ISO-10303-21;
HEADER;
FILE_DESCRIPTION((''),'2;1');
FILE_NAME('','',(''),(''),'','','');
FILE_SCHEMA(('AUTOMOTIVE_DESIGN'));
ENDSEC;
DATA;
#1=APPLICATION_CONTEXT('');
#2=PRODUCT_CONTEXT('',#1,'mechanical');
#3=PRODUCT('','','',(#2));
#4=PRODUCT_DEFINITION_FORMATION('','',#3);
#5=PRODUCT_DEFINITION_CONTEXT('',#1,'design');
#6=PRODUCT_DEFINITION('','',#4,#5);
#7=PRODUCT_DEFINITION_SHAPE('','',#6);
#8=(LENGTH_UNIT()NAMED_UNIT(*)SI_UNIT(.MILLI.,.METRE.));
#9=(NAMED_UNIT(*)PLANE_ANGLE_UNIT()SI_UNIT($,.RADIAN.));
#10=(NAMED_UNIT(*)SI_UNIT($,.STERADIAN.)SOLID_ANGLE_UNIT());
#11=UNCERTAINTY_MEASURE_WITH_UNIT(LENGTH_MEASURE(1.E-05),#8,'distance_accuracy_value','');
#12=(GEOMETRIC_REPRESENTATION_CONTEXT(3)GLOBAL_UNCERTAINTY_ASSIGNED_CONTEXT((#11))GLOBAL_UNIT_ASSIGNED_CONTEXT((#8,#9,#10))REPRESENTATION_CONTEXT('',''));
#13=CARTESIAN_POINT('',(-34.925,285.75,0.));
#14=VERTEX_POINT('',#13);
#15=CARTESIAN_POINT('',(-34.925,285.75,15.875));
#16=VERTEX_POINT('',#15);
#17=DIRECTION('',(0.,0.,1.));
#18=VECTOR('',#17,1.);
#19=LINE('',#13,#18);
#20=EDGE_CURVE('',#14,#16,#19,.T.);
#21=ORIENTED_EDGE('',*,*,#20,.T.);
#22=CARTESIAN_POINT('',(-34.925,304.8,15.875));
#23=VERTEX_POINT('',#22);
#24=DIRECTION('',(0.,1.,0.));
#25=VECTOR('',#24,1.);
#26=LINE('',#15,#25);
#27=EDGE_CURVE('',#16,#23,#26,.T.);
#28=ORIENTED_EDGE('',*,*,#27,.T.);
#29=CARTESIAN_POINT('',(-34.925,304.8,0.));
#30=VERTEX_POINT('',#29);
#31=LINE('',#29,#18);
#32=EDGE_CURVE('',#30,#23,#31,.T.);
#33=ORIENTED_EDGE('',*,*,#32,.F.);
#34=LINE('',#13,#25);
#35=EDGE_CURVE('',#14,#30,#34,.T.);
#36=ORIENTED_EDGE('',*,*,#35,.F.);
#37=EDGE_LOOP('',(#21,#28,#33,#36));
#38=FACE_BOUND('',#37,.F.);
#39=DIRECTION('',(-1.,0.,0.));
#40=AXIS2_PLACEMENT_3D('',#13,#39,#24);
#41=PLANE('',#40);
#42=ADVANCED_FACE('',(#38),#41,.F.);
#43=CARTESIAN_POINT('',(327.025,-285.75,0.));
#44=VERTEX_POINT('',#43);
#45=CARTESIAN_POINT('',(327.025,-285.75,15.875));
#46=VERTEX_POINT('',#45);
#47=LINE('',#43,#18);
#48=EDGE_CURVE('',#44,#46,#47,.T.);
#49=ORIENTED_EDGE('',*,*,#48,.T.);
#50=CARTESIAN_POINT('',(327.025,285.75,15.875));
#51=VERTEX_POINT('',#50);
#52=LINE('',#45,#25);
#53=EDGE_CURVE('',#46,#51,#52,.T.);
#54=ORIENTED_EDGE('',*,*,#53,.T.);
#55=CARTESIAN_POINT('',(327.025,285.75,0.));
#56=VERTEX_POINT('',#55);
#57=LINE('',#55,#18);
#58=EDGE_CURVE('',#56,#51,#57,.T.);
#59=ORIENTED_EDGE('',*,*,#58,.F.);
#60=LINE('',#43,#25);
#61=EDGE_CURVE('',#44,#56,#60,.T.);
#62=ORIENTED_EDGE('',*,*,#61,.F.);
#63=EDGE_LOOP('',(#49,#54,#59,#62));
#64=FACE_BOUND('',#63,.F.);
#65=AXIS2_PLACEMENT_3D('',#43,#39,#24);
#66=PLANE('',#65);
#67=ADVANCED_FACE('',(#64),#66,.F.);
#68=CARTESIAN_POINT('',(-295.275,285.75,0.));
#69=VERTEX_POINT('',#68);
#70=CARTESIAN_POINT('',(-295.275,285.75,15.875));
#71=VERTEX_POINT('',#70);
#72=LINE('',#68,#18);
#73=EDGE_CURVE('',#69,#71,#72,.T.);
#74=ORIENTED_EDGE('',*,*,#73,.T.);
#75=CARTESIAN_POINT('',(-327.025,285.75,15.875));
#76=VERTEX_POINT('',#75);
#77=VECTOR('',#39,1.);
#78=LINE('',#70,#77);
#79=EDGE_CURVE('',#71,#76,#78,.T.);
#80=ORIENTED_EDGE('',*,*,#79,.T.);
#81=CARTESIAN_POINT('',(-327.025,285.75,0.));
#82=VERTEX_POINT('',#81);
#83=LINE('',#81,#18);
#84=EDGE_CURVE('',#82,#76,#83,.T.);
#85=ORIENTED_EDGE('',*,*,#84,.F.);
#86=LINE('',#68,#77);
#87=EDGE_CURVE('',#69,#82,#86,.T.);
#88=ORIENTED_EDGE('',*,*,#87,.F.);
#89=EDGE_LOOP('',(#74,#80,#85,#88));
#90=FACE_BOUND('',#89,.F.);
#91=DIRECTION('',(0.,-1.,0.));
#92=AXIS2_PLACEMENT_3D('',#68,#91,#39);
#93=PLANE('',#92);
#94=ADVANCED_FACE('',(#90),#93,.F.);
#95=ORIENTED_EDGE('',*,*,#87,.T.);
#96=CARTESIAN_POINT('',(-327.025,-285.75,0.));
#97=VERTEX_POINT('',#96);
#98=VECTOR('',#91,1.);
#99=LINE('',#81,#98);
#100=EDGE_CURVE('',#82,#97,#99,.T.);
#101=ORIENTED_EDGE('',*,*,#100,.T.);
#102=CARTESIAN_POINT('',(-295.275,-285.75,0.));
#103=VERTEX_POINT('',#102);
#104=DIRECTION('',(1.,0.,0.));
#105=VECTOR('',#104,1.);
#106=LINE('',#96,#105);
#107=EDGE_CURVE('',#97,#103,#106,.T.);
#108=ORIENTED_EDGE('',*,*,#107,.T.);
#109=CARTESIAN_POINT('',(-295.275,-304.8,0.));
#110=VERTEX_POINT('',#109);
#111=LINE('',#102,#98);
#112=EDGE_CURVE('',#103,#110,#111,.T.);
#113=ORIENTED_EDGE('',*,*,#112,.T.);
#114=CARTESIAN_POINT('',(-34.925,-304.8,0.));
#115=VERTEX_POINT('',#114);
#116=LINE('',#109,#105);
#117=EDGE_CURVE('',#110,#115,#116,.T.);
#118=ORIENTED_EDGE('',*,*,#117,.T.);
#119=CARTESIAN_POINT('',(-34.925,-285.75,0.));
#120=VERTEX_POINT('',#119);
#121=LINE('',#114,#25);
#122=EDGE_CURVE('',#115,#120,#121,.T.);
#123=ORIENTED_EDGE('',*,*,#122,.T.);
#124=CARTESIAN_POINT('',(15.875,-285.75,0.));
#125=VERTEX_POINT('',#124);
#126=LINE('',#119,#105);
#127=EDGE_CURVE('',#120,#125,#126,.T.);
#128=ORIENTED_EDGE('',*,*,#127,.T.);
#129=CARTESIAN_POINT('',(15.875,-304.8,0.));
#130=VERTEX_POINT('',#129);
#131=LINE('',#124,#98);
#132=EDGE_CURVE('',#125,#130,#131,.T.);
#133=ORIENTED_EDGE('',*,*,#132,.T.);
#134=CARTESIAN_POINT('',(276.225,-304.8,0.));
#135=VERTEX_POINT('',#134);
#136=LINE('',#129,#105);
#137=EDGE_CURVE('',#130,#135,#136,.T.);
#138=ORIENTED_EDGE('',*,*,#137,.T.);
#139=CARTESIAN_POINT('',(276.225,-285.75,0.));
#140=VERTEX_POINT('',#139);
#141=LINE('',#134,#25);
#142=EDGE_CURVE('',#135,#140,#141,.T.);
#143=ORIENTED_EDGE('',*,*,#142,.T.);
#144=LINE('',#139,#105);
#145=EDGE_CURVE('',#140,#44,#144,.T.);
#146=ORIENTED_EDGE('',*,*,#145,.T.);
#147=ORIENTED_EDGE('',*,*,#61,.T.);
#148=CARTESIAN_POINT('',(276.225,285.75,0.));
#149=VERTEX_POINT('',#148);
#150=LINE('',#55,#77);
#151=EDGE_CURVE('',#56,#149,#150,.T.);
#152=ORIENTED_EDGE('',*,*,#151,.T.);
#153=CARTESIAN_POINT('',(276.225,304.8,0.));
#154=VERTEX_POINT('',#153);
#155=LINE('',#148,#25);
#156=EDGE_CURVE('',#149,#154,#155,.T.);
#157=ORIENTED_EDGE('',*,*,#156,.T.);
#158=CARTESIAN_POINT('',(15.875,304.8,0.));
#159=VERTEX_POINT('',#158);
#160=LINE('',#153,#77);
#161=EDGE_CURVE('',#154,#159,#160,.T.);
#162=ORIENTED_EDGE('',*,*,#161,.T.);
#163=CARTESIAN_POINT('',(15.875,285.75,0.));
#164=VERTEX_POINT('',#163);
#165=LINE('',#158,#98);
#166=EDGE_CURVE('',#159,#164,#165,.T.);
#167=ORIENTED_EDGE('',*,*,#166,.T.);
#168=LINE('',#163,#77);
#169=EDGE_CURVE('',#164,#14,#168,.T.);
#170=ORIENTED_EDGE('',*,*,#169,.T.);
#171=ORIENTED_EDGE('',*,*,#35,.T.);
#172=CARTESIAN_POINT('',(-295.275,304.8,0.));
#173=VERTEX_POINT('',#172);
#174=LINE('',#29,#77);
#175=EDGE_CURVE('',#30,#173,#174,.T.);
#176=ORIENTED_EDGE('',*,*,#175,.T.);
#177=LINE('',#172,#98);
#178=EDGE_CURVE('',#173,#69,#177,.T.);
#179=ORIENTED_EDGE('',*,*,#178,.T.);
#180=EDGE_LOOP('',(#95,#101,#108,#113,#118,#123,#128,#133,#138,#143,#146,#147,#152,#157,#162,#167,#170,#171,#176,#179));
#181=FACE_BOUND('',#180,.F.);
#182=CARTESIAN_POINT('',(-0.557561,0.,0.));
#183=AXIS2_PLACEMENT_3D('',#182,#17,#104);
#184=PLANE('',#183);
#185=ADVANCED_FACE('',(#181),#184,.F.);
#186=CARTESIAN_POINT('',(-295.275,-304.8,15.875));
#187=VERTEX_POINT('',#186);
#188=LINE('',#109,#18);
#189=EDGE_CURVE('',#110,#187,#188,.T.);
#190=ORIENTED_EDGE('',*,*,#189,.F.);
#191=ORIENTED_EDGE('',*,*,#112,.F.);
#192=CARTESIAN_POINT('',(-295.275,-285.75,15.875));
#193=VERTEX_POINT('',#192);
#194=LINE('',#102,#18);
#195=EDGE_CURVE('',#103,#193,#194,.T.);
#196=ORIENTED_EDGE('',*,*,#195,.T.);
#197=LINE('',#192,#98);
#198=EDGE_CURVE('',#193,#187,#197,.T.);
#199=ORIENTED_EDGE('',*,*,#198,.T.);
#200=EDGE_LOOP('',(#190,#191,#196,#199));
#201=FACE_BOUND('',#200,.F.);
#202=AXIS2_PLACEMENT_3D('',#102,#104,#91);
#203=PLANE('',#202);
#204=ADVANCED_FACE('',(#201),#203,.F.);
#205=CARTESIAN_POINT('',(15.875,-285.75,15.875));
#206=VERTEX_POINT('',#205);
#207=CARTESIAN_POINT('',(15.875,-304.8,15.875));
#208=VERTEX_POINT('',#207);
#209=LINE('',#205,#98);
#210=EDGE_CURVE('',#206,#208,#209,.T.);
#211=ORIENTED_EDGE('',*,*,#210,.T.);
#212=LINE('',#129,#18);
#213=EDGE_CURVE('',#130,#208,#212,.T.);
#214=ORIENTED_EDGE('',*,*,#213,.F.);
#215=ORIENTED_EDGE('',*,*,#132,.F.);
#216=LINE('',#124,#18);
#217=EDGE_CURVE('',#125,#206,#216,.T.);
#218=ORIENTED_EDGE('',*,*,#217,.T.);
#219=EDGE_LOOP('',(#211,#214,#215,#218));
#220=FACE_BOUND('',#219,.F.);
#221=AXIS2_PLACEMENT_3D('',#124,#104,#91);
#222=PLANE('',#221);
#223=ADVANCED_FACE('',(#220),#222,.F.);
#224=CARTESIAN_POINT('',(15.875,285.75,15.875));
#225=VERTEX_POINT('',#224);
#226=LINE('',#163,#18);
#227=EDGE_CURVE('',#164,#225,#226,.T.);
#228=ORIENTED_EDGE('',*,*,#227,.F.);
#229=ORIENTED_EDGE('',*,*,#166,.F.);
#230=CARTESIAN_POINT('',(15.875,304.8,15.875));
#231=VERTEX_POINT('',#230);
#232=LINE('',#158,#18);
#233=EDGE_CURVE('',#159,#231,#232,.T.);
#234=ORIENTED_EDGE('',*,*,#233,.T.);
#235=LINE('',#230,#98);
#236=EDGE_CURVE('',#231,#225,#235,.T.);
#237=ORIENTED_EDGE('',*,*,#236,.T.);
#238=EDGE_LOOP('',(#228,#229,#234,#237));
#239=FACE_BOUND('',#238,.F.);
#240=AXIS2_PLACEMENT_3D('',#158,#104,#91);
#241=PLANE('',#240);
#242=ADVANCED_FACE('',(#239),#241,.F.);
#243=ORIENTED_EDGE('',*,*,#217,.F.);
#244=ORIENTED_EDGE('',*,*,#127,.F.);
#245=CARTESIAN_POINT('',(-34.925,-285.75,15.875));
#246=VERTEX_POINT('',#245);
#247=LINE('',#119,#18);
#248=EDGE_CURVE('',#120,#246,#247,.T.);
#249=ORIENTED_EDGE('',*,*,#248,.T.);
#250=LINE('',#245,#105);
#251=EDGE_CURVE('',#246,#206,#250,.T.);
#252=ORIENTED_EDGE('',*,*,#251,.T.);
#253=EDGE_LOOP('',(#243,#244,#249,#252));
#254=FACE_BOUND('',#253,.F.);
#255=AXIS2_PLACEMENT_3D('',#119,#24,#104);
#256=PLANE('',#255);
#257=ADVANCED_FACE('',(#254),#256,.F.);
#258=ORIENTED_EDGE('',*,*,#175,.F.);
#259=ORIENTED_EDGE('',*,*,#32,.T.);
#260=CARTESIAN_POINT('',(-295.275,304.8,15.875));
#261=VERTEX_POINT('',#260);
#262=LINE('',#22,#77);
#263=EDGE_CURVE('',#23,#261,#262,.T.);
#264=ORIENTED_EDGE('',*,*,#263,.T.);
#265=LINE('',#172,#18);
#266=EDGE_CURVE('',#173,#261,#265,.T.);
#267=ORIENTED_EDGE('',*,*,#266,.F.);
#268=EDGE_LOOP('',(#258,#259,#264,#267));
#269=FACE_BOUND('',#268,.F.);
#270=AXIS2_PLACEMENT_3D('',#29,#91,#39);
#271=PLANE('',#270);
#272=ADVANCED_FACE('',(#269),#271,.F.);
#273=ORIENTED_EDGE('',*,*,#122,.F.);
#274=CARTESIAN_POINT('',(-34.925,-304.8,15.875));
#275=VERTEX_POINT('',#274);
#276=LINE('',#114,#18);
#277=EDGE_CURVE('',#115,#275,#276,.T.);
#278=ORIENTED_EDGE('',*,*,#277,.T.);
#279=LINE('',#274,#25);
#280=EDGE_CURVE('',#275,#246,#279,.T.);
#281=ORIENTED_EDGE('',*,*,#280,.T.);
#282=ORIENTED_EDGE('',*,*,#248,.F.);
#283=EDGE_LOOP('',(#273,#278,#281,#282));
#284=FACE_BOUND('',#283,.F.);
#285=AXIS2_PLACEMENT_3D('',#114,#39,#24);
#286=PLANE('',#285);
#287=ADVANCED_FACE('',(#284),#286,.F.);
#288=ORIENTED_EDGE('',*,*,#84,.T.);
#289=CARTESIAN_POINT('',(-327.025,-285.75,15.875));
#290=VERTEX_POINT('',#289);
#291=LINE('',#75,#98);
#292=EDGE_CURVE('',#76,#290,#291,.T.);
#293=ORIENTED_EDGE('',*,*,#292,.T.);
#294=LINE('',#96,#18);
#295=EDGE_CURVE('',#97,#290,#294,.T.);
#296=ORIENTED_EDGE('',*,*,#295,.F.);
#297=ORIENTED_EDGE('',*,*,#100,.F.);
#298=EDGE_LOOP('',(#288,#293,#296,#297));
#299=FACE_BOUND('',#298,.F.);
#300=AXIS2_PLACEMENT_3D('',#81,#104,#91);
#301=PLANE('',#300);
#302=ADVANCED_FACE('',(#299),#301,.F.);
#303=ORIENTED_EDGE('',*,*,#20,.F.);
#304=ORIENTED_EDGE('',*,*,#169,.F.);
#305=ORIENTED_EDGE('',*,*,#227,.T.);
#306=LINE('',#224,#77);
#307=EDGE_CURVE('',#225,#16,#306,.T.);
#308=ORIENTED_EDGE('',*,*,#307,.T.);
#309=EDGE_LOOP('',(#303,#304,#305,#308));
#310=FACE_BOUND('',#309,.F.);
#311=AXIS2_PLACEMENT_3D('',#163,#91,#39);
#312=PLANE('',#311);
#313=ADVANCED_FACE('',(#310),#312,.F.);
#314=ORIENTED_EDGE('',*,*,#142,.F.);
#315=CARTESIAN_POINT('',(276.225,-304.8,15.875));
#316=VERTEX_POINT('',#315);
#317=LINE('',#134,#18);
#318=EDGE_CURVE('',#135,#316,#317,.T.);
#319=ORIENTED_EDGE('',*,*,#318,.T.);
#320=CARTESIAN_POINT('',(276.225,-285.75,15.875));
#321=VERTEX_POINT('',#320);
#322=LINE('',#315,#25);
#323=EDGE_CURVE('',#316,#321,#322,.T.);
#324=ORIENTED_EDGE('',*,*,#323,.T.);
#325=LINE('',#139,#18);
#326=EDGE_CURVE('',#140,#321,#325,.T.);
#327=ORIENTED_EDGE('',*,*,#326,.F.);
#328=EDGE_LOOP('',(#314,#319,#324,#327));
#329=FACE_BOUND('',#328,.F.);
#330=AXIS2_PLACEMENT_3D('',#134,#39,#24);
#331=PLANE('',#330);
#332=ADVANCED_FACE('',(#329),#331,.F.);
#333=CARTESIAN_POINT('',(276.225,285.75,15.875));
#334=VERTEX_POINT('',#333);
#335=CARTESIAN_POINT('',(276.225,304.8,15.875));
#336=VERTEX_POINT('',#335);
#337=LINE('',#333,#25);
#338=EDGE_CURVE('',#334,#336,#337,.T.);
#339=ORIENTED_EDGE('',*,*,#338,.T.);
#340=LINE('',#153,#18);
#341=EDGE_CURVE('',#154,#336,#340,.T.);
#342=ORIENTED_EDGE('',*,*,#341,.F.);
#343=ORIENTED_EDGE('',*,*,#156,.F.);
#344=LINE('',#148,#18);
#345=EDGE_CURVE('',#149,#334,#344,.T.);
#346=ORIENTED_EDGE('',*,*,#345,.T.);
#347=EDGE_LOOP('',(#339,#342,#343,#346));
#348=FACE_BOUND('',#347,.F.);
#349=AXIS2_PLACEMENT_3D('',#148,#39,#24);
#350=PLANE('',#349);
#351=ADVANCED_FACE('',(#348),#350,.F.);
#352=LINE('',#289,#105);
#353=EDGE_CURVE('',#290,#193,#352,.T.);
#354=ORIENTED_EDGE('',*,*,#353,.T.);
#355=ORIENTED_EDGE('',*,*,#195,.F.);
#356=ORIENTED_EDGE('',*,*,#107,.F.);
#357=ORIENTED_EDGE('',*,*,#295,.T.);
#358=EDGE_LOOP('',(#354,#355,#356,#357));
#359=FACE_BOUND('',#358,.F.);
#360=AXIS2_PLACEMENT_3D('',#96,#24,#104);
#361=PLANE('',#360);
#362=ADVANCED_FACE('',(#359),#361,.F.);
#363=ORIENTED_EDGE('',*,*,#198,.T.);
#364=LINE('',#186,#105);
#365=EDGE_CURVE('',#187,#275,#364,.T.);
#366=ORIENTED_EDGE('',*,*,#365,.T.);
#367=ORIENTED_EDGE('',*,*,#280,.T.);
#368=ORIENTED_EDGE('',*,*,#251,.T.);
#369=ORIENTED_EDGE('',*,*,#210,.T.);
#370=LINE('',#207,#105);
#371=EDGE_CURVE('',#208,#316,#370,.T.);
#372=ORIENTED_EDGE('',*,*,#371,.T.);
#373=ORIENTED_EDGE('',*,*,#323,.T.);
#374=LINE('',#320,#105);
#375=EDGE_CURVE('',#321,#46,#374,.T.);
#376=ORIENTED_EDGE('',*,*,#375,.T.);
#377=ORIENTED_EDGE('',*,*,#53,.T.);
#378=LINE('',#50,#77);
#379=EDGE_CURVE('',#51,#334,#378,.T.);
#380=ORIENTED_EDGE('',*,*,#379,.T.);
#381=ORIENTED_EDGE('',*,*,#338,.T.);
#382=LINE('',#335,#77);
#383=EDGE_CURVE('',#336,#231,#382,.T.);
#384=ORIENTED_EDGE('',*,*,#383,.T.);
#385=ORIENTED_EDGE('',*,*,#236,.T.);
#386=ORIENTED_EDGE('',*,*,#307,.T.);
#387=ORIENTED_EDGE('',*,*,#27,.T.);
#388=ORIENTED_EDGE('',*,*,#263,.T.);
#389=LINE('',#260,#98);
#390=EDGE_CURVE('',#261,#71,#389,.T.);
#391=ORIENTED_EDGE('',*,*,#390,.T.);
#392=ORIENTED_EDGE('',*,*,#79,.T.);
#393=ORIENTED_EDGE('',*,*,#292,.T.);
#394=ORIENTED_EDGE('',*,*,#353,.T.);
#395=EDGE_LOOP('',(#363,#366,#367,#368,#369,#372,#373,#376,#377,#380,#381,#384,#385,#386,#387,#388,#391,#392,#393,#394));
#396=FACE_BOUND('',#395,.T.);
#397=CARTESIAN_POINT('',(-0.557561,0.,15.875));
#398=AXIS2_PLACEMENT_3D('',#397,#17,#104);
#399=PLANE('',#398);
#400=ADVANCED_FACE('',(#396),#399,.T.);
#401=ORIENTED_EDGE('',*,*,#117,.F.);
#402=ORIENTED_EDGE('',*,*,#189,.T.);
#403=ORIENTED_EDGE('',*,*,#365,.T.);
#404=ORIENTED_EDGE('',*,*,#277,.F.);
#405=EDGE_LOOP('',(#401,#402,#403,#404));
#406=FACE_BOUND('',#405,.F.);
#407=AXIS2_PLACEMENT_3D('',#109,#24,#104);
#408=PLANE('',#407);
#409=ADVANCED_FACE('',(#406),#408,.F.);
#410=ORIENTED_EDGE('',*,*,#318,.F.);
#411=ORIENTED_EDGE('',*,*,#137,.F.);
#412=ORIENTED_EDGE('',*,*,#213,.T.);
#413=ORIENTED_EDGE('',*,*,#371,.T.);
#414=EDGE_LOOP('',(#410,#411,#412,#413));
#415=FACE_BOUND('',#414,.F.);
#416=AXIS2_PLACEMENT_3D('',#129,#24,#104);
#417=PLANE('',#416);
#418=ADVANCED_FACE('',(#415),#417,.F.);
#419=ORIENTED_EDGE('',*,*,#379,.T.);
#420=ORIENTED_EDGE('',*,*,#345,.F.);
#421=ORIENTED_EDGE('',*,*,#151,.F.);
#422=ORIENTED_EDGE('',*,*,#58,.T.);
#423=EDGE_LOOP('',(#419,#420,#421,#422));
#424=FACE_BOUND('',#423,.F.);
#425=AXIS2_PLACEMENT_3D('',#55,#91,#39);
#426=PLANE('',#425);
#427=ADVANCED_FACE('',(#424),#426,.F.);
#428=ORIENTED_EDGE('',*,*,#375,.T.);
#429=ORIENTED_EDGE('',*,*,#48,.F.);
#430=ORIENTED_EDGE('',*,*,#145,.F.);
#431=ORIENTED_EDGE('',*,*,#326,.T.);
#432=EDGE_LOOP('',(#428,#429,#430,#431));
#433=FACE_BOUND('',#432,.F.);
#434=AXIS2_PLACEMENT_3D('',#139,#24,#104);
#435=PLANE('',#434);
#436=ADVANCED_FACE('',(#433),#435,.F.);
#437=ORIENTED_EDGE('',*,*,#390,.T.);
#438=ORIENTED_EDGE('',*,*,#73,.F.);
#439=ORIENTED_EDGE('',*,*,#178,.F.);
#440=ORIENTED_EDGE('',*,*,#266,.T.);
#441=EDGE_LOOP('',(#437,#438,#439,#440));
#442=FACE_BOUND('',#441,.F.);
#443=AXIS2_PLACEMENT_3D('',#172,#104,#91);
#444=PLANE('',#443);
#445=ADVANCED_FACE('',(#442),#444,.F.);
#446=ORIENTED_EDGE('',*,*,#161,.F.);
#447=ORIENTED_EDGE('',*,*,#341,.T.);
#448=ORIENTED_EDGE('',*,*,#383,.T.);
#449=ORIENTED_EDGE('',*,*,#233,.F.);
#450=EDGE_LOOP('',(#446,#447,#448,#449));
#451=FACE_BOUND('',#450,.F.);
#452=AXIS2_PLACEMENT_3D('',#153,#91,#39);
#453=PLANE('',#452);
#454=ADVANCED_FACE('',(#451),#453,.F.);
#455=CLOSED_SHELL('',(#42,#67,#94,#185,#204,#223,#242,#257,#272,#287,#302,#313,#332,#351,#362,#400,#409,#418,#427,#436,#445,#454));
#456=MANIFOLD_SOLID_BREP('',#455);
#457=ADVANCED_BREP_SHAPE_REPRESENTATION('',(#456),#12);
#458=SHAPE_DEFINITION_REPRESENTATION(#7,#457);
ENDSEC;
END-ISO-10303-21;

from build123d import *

# Parameters (mm, degrees)
F1_DEPTH = 15.875


with BuildPart() as f1:
    # F0 (on Top) → F1 (new body)
    with BuildSketch(Plane.XY):
        Polygon((-295.275, -285.75), (-295.275, -304.8), (-34.925, -304.8), (-34.925, -285.75), (15.875, -285.75), (15.875, -304.8), (276.225, -304.8), (276.225, -285.75), (327.025, -285.75), (327.025, 285.75), (276.225, 285.75), (276.225, 304.8), (15.875, 304.8), (15.875, 285.75), (-34.925, 285.75), (-34.925, 304.8), (-295.275, 304.8), (-295.275, 285.75), (-327.025, 285.75), (-327.025, -285.75), align=None)
    extrude(amount=F1_DEPTH)


solid = f1.part
